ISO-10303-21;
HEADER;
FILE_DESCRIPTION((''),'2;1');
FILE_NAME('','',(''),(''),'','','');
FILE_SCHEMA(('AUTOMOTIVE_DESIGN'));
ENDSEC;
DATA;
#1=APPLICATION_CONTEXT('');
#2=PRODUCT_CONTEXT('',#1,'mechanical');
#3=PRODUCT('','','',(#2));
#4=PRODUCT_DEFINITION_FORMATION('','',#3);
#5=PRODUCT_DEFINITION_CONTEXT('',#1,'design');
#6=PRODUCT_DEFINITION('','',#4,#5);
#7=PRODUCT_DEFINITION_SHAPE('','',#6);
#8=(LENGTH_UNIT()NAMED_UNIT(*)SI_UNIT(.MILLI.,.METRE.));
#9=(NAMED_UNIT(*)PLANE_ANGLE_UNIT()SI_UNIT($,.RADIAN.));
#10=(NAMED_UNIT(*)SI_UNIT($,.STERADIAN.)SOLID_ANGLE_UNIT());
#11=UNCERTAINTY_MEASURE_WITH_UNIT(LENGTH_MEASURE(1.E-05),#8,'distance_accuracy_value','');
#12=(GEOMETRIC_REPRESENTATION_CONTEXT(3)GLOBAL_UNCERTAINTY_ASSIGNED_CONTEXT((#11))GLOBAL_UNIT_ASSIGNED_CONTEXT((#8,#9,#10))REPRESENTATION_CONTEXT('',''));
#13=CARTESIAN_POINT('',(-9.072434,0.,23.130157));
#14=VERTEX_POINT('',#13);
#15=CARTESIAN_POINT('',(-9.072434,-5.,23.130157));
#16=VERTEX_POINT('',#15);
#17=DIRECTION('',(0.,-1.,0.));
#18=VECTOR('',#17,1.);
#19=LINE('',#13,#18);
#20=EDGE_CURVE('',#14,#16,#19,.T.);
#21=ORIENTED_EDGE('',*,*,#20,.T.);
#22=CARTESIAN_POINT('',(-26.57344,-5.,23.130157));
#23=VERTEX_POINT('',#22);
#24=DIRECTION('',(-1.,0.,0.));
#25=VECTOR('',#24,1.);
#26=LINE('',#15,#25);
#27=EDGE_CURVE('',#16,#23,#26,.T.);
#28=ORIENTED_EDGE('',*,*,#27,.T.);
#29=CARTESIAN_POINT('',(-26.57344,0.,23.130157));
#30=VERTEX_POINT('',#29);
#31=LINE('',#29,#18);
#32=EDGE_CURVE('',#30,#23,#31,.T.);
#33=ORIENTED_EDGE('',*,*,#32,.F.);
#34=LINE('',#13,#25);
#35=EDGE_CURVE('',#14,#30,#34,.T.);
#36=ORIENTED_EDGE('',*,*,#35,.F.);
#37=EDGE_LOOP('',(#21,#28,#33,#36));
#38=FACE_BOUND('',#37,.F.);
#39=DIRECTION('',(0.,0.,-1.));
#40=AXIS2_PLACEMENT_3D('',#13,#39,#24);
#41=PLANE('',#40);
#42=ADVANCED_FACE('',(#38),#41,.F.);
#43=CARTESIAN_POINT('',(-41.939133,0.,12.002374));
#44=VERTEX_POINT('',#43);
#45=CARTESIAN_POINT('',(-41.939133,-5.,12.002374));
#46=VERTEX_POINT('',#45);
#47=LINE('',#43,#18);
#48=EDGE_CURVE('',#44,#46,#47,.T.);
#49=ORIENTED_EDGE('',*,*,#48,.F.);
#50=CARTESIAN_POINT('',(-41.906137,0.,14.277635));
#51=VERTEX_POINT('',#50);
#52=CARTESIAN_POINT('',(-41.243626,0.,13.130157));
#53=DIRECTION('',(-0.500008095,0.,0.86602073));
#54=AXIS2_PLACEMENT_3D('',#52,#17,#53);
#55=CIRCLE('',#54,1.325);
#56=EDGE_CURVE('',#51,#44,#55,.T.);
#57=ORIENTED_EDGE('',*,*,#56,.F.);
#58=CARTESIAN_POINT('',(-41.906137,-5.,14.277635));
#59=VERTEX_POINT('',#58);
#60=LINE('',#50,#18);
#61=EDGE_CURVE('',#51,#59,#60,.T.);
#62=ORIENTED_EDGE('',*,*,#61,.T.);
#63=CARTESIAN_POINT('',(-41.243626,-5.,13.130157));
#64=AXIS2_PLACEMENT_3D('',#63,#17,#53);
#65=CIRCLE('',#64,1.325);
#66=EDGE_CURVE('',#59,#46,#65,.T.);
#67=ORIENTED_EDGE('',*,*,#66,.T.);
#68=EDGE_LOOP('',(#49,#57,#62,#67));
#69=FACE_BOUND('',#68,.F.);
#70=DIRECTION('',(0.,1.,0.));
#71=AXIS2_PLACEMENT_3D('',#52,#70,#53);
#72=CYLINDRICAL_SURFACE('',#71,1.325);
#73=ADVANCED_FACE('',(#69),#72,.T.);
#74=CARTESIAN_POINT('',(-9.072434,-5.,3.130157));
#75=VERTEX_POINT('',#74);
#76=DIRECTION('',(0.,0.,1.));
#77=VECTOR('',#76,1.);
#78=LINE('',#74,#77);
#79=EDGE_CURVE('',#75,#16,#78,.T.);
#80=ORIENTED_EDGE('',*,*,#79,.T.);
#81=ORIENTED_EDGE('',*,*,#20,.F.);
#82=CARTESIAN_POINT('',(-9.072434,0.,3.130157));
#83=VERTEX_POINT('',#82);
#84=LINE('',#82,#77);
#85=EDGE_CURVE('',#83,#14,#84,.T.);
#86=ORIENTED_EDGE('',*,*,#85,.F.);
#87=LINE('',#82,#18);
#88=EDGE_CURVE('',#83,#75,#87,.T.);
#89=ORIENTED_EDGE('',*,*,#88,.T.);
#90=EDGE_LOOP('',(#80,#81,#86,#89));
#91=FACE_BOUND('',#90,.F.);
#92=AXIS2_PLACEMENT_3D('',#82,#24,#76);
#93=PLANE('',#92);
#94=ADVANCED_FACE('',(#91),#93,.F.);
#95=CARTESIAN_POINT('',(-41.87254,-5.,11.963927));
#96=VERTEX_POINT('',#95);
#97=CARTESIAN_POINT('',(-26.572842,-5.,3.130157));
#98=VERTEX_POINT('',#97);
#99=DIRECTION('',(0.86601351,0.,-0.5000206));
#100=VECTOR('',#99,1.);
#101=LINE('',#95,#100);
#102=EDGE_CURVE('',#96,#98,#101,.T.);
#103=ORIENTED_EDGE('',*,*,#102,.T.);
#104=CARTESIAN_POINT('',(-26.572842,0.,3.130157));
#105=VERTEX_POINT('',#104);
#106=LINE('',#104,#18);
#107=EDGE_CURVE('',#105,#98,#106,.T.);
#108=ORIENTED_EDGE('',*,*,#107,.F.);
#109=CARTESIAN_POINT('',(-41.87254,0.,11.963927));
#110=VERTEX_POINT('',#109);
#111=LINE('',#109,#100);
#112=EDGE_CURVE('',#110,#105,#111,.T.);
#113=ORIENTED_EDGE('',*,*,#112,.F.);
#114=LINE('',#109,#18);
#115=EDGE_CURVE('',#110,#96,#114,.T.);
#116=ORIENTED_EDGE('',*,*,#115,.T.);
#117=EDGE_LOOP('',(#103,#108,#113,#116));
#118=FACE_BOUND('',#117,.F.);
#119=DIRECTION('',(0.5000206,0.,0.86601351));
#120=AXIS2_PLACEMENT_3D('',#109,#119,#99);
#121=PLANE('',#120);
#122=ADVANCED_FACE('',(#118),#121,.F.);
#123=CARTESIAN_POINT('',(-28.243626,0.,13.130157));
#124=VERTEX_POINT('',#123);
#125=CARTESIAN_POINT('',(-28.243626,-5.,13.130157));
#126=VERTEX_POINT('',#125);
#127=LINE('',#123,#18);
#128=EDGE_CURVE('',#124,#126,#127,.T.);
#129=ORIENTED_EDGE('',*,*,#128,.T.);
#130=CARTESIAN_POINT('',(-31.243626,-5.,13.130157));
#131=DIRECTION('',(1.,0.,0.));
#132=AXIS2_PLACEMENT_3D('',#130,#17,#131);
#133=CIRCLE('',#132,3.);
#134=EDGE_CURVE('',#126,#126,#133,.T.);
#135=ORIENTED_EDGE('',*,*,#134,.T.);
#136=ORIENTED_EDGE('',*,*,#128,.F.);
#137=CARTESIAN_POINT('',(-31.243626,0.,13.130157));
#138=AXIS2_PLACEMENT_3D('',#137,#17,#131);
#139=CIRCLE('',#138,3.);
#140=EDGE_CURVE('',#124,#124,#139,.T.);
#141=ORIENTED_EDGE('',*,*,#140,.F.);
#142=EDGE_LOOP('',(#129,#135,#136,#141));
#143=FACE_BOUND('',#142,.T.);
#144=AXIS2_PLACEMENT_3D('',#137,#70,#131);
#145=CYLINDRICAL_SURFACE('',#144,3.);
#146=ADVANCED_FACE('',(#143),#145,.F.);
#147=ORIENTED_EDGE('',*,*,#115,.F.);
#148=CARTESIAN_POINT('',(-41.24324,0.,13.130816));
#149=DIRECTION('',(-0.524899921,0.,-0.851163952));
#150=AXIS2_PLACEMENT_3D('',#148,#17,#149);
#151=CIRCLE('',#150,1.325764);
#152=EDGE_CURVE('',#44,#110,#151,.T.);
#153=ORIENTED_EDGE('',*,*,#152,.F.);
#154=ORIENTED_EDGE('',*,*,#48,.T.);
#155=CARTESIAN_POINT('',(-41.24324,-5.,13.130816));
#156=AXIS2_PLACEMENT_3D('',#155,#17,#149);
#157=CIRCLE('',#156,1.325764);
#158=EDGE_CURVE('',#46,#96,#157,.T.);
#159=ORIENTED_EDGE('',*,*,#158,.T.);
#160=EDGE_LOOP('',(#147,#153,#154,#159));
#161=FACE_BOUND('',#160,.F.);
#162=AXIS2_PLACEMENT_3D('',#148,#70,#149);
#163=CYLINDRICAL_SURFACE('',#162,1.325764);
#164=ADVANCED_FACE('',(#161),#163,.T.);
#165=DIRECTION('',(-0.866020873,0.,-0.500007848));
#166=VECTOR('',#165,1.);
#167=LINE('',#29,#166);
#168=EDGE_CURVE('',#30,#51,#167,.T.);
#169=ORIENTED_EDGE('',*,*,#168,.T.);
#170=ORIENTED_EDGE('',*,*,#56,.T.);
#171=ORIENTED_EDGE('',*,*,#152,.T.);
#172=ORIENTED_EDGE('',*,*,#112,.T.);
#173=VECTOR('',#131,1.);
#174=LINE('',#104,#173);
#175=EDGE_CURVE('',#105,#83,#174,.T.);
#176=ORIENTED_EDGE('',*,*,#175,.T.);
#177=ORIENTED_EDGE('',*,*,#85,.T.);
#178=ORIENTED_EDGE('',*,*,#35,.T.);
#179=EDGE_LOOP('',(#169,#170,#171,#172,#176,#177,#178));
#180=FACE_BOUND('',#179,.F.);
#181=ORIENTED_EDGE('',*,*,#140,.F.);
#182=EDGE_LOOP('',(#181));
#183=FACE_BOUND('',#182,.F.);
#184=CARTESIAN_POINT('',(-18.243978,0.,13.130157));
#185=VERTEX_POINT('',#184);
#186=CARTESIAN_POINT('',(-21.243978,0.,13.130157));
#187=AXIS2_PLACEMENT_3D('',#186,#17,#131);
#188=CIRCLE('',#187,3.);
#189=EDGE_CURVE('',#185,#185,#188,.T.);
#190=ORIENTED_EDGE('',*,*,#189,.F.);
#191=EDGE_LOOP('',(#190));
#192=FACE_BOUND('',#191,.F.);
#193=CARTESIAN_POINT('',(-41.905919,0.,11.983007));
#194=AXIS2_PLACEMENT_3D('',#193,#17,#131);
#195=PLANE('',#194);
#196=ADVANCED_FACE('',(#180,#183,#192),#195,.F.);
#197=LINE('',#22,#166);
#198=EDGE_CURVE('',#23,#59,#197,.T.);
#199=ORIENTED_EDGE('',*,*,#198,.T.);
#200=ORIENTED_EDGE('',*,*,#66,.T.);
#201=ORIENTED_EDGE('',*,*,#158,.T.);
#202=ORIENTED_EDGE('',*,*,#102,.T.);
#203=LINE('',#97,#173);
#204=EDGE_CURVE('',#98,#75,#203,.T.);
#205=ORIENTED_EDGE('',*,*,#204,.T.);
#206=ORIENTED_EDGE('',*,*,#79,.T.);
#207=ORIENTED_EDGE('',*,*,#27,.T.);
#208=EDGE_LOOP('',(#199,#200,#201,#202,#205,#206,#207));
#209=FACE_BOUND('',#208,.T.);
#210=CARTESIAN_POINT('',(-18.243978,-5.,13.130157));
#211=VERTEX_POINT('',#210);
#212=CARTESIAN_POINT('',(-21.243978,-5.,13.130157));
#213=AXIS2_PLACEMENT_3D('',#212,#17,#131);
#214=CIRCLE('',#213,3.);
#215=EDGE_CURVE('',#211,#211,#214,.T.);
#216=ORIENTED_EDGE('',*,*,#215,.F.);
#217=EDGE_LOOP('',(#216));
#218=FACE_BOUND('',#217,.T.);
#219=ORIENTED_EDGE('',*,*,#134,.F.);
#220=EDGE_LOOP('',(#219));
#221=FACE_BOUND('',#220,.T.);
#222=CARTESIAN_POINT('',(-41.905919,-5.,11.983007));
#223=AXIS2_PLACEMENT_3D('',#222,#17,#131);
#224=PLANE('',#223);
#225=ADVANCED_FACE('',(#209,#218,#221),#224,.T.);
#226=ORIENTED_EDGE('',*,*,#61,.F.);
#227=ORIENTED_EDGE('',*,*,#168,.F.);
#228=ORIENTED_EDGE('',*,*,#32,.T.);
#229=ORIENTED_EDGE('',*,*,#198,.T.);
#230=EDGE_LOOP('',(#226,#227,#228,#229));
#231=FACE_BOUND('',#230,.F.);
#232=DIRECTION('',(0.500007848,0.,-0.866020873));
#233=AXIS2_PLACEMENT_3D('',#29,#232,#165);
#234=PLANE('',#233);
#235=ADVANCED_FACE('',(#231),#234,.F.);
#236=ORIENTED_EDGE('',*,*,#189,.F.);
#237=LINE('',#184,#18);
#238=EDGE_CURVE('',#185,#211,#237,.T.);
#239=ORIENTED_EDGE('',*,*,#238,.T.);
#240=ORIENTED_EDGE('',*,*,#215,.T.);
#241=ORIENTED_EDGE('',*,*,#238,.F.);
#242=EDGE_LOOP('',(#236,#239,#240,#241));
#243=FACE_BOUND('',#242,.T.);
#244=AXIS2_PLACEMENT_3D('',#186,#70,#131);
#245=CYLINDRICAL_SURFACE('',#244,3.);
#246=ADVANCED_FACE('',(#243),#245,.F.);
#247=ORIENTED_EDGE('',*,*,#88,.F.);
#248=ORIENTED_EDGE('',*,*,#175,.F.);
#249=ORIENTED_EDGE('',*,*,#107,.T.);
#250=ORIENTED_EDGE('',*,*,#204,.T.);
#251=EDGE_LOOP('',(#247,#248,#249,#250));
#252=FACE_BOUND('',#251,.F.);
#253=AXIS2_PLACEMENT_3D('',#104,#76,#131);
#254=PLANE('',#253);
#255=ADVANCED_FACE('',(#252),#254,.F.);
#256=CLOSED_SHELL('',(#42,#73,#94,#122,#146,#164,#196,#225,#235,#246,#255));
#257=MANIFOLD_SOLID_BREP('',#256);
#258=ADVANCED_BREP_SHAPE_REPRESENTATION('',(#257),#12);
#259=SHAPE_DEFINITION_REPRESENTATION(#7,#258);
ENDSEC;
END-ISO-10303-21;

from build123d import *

# Parameters (mm, degrees)
F0_R     = 3
F1_DEPTH = 5


with BuildPart() as f1:
    # F0 (on Front) → F1 (new body)
    with BuildSketch(Plane.XZ):
        with BuildLine():
            ThreePointArc((-41.939133, 12.002374), (-41.906116, 11.982668), (-41.87254, 11.963927))
            Line((-41.87254, 11.963927), (-41.939133, 12.002374))
        make_face()
        with BuildLine():
            Line((-41.939133, 12.002374), (-41.87254, 11.963927))
            Line((-41.87254, 11.963927), (-26.572842, 3.130157))
            Line((-26.572842, 3.130157), (-9.072434, 3.130157))
            Line((-9.072434, 3.130157), (-9.072434, 23.130157))
            Line((-9.072434, 23.130157), (-26.57344, 23.130157))
            Line((-26.57344, 23.130157), (-41.906137, 14.277635))
            ThreePointArc((-41.906137, 14.277635), (-42.568487, 13.149371), (-41.939133, 12.002374))
        make_face()
        with Locations((-31.243626, 13.130157)):
            Circle(F0_R, mode=Mode.SUBTRACT)
        with Locations((-21.243978, 13.130157)):
            Circle(F0_R, mode=Mode.SUBTRACT)
    extrude(amount=F1_DEPTH)


solid = f1.part
